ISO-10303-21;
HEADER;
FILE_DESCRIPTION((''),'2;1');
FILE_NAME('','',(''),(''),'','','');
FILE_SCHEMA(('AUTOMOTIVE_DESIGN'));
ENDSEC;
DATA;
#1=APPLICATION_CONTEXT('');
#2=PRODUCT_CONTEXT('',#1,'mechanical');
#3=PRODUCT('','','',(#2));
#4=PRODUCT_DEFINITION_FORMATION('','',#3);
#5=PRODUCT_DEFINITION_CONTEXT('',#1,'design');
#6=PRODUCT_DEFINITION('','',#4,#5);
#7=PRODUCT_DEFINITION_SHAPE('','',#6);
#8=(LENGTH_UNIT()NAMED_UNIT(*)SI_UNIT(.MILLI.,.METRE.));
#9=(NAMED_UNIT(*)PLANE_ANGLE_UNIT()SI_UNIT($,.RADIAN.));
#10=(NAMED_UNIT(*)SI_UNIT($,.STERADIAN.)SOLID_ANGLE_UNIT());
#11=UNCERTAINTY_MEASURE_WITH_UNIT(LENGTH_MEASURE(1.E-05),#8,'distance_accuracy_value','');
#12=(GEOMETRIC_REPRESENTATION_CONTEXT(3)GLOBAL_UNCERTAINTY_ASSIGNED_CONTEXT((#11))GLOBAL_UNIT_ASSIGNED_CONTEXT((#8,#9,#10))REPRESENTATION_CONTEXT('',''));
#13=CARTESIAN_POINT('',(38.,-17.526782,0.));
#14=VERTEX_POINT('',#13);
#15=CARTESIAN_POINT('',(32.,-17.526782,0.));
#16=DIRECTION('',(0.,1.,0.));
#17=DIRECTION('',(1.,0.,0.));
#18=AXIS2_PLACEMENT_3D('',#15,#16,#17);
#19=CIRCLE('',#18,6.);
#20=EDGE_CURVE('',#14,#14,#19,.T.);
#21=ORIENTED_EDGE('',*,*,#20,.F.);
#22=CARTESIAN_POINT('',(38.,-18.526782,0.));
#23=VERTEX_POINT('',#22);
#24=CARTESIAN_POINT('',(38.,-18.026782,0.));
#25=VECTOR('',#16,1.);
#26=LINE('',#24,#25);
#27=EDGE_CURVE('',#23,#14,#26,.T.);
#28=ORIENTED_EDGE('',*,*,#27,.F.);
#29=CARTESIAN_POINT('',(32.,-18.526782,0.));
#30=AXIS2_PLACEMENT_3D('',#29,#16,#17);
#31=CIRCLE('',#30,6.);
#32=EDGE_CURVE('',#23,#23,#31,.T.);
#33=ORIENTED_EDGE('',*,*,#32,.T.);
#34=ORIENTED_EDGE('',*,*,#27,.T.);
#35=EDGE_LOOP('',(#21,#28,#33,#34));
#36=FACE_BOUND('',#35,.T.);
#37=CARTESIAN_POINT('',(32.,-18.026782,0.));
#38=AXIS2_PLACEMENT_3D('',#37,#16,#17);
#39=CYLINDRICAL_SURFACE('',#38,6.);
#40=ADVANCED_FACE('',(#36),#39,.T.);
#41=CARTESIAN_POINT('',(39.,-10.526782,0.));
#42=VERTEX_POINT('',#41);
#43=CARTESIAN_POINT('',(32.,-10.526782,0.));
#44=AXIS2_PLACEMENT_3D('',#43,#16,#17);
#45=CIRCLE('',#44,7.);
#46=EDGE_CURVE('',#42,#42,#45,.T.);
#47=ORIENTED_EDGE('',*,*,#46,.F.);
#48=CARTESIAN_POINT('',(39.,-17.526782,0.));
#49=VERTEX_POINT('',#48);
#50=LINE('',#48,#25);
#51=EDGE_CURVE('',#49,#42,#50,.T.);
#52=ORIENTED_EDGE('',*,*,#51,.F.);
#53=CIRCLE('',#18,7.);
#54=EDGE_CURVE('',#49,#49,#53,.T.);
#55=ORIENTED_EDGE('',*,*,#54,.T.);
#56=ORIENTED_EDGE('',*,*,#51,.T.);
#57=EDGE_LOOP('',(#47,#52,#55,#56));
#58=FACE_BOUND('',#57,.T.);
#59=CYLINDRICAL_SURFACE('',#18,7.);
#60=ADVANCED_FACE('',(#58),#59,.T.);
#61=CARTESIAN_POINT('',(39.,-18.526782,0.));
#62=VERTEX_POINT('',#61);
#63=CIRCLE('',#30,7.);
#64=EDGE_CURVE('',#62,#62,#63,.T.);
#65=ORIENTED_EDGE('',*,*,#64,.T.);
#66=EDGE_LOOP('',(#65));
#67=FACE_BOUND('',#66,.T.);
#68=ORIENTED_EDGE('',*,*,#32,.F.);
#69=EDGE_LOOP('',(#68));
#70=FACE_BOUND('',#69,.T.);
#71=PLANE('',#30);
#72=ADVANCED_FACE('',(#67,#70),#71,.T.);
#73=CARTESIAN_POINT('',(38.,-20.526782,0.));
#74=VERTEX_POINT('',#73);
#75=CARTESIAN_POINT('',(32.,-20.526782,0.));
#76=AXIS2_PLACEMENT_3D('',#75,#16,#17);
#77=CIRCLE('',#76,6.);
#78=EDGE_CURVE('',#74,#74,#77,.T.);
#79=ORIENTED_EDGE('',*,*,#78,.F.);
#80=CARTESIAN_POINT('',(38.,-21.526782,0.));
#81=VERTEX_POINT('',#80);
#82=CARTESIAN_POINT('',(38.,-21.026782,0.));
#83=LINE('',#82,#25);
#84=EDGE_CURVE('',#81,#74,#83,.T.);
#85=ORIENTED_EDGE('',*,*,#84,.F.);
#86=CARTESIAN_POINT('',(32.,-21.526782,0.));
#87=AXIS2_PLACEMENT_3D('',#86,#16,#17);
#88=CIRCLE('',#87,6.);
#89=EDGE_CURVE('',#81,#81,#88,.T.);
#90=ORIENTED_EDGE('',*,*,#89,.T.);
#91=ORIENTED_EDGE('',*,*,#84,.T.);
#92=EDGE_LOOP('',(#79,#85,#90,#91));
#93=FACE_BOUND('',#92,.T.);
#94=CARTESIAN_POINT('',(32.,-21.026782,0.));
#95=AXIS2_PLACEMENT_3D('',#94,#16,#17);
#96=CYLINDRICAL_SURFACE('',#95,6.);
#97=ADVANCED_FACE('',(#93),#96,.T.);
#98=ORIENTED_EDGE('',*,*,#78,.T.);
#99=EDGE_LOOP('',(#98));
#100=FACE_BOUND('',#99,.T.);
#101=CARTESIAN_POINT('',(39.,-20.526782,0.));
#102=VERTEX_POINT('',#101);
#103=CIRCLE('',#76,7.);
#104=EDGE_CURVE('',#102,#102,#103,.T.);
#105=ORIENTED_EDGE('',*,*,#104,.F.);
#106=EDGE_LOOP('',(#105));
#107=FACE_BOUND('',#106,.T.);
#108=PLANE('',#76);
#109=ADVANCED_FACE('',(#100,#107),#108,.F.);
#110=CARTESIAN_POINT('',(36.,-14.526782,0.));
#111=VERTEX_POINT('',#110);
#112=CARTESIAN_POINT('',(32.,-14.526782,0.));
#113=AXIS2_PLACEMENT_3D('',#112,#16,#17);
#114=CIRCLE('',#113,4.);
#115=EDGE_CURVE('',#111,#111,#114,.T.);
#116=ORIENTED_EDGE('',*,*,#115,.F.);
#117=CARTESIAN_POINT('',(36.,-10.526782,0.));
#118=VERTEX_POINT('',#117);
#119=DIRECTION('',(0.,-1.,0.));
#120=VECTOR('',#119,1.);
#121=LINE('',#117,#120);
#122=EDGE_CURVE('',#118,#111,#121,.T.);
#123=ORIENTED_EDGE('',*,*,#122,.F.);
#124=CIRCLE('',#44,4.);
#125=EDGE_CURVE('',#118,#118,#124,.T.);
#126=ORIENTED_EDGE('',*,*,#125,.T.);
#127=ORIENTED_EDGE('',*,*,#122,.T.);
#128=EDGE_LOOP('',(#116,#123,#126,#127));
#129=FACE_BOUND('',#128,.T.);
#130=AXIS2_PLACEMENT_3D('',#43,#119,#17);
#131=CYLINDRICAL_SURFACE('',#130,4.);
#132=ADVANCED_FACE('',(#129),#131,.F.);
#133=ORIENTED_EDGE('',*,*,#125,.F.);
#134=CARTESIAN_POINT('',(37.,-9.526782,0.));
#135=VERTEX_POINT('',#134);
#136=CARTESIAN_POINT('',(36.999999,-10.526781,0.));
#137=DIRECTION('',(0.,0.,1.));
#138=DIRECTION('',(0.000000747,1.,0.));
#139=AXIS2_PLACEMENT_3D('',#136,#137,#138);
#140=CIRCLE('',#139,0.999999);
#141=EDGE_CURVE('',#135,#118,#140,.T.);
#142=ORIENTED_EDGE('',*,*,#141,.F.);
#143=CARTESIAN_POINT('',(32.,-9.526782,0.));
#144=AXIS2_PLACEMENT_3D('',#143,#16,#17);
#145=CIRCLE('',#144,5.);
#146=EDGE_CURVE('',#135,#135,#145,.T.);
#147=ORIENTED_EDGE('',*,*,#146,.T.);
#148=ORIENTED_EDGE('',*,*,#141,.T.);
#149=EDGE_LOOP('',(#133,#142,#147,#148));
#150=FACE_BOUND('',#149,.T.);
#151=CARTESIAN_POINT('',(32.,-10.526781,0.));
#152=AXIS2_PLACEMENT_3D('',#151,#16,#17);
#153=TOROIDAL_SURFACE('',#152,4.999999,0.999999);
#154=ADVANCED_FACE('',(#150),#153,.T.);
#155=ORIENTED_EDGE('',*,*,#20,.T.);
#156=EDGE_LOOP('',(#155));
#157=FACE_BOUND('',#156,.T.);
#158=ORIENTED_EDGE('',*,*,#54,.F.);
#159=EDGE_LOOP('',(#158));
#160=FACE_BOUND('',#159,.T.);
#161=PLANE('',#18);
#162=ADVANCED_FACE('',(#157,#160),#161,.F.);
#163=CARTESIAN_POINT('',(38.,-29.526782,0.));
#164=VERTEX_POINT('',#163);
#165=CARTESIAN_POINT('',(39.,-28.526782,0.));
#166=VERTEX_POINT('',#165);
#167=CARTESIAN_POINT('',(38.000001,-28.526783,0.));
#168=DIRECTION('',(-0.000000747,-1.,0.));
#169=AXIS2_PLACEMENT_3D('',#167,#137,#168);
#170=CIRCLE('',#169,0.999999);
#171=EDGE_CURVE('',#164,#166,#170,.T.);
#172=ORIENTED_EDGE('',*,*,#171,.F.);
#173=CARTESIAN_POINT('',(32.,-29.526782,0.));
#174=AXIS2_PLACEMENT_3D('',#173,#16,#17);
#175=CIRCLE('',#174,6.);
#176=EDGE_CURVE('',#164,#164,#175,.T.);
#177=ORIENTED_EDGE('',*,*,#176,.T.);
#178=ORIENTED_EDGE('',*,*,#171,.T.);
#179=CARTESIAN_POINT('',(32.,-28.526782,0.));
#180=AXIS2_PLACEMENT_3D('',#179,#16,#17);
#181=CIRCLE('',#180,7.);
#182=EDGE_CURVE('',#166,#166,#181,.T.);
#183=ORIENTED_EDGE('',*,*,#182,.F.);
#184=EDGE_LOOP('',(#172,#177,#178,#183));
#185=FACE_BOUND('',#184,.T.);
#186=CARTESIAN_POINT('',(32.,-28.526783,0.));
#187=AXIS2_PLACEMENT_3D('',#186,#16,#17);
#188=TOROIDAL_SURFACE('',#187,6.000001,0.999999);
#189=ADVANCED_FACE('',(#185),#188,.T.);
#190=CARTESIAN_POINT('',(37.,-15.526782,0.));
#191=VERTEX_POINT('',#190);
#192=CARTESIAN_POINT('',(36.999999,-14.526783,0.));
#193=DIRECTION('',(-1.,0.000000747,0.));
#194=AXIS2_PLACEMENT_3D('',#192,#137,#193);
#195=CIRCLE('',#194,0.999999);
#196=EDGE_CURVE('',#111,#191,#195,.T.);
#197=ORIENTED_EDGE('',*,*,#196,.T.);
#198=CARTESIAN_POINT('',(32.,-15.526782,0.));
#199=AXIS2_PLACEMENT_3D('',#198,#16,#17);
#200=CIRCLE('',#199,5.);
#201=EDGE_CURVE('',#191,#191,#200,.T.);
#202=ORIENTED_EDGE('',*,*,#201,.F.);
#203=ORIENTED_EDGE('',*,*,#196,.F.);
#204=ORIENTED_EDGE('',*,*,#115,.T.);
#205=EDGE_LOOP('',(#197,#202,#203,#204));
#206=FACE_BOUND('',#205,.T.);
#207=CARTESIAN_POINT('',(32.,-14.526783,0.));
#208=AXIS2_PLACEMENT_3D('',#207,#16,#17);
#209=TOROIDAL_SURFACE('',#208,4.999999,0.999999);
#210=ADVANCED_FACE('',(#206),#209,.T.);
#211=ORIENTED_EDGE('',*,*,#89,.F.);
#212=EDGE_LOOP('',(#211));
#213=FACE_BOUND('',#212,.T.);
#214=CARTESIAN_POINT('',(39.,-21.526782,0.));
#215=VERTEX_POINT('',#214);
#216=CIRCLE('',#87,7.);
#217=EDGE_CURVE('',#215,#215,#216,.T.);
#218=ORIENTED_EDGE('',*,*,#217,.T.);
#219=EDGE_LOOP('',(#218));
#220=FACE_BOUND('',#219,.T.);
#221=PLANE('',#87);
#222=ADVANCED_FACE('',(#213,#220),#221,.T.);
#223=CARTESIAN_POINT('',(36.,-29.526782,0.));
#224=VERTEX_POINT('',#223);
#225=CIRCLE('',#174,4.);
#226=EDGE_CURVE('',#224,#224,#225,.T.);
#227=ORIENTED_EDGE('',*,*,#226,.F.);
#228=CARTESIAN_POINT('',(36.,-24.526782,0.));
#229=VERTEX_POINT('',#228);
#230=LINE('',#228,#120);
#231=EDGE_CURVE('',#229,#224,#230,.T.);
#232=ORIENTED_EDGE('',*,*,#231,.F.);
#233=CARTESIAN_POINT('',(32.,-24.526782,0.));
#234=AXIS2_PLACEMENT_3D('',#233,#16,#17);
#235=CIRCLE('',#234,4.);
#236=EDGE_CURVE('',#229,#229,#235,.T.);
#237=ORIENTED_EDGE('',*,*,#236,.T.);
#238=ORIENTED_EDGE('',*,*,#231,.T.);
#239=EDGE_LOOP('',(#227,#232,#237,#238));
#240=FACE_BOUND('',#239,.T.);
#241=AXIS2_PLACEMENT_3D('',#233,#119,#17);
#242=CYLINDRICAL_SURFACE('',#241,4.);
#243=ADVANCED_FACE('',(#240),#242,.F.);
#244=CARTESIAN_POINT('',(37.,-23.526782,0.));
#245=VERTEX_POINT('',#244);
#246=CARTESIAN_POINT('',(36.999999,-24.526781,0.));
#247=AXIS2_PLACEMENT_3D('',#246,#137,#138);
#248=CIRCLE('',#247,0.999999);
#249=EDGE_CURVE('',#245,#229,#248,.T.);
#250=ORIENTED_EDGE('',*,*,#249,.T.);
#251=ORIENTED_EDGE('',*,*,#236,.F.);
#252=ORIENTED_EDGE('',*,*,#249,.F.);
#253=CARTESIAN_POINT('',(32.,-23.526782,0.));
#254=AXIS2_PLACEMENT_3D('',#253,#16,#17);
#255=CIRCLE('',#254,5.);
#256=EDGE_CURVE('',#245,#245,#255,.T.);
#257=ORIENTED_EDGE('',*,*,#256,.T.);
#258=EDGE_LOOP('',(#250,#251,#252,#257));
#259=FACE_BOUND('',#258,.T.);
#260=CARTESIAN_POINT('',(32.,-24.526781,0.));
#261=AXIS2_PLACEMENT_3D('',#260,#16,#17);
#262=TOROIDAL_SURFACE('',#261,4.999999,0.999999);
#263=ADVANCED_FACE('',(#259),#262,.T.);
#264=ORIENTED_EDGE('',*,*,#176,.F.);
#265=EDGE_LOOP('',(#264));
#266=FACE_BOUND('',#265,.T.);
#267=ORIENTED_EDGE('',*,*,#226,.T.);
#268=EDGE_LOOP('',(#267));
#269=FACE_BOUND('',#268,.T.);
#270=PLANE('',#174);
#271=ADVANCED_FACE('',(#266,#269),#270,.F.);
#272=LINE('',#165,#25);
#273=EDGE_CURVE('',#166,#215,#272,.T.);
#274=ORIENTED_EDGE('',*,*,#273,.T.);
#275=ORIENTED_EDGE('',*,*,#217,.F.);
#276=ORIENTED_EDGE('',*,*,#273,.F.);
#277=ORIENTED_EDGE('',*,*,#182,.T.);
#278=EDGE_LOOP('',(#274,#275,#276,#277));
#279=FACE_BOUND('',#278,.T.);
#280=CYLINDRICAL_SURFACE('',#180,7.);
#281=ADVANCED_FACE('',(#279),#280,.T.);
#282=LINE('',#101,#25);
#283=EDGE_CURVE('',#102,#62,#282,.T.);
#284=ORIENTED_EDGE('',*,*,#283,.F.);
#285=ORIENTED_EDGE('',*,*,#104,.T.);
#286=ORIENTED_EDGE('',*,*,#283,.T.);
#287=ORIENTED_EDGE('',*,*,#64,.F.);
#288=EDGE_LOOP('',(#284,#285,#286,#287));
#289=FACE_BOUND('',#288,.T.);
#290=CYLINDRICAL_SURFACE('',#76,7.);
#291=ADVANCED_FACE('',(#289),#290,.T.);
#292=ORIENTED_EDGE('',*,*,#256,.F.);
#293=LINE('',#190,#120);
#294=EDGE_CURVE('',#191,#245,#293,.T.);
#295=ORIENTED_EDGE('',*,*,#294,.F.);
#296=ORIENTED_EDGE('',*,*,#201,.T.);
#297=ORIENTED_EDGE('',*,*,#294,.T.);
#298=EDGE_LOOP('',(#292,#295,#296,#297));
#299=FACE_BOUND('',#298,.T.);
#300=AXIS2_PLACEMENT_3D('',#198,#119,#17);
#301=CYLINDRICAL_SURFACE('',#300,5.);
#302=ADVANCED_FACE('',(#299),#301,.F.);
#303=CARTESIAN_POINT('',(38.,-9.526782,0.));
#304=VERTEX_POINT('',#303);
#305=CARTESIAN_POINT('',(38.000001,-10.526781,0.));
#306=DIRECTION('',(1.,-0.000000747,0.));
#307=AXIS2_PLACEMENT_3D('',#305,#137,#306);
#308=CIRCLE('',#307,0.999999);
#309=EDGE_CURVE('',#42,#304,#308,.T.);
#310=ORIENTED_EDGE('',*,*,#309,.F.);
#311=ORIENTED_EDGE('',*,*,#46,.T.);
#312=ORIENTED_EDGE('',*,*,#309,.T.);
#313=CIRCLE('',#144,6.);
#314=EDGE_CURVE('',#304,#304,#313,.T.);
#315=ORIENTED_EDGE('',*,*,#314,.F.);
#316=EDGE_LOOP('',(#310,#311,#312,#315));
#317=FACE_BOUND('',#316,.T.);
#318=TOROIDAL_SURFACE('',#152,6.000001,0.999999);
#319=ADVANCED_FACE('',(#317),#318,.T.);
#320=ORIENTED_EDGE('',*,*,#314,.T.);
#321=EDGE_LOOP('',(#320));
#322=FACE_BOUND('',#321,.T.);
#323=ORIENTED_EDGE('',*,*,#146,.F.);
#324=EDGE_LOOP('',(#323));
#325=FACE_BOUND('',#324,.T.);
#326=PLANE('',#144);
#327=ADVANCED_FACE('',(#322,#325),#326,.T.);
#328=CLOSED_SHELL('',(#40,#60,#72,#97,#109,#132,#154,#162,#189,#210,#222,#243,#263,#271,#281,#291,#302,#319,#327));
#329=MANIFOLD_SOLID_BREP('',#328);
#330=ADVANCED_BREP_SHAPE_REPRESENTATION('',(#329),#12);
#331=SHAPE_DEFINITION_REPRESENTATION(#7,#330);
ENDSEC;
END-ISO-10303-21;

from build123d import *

# Parameters (mm, degrees)
F0_W = 1
F0_H = 1


with BuildPart() as f1:
    # F0 (on Top) → F1 (revolve)
    with BuildSketch(Plane.XY):
        with BuildLine():
            Line((36, -22.526782), (36, -27.526782))
            Line((36, -27.526782), (38, -27.526782))
            ThreePointArc((38, -27.526782), (38.707107, -27.233889), (39, -26.526782))
            Line((39, -26.526782), (39, -21.526782))
            Line((39, -21.526782), (37, -21.526782))
            ThreePointArc((37, -21.526782), (36.292893, -21.819675), (36, -22.526782))
        make_face()
        Polygon((37, -19.526782), (37, -21.526782), (39, -21.526782), (39, -19.526782), (38, -19.526782), align=None)
        with Locations((37.5, -19.026782)):
            Rectangle(F0_W, F0_H)
        Polygon((37, -16.526782), (37, -18.526782), (38, -18.526782), (39, -18.526782), (39, -16.526782), (38, -16.526782), align=None)
        with Locations((37.5, -16.026782)):
            Rectangle(F0_W, F0_H)
        Polygon((37, -13.526782), (37, -15.526782), (38, -15.526782), (39, -15.526782), (39, -13.526782), align=None)
        with BuildLine():
            ThreePointArc((36, -12.526782), (36.292893, -13.233889), (37, -13.526782))
            Line((37, -13.526782), (39, -13.526782))
            Line((39, -13.526782), (39, -8.526782))
            ThreePointArc((39, -8.526782), (38.707107, -7.819675), (38, -7.526782))
            Line((38, -7.526782), (37, -7.526782))
            ThreePointArc((37, -7.526782), (36.292893, -7.819675), (36, -8.526782))
            Line((36, -8.526782), (36, -12.526782))
        make_face()
    revolve(axis=Axis((32, -17.526782, 0), (0, 1, 0)))


with BuildPart() as f1_1:
    # F2: moved
    add(f1.part.moved(Location((0, -2, 0))))


solid = f1_1.part
